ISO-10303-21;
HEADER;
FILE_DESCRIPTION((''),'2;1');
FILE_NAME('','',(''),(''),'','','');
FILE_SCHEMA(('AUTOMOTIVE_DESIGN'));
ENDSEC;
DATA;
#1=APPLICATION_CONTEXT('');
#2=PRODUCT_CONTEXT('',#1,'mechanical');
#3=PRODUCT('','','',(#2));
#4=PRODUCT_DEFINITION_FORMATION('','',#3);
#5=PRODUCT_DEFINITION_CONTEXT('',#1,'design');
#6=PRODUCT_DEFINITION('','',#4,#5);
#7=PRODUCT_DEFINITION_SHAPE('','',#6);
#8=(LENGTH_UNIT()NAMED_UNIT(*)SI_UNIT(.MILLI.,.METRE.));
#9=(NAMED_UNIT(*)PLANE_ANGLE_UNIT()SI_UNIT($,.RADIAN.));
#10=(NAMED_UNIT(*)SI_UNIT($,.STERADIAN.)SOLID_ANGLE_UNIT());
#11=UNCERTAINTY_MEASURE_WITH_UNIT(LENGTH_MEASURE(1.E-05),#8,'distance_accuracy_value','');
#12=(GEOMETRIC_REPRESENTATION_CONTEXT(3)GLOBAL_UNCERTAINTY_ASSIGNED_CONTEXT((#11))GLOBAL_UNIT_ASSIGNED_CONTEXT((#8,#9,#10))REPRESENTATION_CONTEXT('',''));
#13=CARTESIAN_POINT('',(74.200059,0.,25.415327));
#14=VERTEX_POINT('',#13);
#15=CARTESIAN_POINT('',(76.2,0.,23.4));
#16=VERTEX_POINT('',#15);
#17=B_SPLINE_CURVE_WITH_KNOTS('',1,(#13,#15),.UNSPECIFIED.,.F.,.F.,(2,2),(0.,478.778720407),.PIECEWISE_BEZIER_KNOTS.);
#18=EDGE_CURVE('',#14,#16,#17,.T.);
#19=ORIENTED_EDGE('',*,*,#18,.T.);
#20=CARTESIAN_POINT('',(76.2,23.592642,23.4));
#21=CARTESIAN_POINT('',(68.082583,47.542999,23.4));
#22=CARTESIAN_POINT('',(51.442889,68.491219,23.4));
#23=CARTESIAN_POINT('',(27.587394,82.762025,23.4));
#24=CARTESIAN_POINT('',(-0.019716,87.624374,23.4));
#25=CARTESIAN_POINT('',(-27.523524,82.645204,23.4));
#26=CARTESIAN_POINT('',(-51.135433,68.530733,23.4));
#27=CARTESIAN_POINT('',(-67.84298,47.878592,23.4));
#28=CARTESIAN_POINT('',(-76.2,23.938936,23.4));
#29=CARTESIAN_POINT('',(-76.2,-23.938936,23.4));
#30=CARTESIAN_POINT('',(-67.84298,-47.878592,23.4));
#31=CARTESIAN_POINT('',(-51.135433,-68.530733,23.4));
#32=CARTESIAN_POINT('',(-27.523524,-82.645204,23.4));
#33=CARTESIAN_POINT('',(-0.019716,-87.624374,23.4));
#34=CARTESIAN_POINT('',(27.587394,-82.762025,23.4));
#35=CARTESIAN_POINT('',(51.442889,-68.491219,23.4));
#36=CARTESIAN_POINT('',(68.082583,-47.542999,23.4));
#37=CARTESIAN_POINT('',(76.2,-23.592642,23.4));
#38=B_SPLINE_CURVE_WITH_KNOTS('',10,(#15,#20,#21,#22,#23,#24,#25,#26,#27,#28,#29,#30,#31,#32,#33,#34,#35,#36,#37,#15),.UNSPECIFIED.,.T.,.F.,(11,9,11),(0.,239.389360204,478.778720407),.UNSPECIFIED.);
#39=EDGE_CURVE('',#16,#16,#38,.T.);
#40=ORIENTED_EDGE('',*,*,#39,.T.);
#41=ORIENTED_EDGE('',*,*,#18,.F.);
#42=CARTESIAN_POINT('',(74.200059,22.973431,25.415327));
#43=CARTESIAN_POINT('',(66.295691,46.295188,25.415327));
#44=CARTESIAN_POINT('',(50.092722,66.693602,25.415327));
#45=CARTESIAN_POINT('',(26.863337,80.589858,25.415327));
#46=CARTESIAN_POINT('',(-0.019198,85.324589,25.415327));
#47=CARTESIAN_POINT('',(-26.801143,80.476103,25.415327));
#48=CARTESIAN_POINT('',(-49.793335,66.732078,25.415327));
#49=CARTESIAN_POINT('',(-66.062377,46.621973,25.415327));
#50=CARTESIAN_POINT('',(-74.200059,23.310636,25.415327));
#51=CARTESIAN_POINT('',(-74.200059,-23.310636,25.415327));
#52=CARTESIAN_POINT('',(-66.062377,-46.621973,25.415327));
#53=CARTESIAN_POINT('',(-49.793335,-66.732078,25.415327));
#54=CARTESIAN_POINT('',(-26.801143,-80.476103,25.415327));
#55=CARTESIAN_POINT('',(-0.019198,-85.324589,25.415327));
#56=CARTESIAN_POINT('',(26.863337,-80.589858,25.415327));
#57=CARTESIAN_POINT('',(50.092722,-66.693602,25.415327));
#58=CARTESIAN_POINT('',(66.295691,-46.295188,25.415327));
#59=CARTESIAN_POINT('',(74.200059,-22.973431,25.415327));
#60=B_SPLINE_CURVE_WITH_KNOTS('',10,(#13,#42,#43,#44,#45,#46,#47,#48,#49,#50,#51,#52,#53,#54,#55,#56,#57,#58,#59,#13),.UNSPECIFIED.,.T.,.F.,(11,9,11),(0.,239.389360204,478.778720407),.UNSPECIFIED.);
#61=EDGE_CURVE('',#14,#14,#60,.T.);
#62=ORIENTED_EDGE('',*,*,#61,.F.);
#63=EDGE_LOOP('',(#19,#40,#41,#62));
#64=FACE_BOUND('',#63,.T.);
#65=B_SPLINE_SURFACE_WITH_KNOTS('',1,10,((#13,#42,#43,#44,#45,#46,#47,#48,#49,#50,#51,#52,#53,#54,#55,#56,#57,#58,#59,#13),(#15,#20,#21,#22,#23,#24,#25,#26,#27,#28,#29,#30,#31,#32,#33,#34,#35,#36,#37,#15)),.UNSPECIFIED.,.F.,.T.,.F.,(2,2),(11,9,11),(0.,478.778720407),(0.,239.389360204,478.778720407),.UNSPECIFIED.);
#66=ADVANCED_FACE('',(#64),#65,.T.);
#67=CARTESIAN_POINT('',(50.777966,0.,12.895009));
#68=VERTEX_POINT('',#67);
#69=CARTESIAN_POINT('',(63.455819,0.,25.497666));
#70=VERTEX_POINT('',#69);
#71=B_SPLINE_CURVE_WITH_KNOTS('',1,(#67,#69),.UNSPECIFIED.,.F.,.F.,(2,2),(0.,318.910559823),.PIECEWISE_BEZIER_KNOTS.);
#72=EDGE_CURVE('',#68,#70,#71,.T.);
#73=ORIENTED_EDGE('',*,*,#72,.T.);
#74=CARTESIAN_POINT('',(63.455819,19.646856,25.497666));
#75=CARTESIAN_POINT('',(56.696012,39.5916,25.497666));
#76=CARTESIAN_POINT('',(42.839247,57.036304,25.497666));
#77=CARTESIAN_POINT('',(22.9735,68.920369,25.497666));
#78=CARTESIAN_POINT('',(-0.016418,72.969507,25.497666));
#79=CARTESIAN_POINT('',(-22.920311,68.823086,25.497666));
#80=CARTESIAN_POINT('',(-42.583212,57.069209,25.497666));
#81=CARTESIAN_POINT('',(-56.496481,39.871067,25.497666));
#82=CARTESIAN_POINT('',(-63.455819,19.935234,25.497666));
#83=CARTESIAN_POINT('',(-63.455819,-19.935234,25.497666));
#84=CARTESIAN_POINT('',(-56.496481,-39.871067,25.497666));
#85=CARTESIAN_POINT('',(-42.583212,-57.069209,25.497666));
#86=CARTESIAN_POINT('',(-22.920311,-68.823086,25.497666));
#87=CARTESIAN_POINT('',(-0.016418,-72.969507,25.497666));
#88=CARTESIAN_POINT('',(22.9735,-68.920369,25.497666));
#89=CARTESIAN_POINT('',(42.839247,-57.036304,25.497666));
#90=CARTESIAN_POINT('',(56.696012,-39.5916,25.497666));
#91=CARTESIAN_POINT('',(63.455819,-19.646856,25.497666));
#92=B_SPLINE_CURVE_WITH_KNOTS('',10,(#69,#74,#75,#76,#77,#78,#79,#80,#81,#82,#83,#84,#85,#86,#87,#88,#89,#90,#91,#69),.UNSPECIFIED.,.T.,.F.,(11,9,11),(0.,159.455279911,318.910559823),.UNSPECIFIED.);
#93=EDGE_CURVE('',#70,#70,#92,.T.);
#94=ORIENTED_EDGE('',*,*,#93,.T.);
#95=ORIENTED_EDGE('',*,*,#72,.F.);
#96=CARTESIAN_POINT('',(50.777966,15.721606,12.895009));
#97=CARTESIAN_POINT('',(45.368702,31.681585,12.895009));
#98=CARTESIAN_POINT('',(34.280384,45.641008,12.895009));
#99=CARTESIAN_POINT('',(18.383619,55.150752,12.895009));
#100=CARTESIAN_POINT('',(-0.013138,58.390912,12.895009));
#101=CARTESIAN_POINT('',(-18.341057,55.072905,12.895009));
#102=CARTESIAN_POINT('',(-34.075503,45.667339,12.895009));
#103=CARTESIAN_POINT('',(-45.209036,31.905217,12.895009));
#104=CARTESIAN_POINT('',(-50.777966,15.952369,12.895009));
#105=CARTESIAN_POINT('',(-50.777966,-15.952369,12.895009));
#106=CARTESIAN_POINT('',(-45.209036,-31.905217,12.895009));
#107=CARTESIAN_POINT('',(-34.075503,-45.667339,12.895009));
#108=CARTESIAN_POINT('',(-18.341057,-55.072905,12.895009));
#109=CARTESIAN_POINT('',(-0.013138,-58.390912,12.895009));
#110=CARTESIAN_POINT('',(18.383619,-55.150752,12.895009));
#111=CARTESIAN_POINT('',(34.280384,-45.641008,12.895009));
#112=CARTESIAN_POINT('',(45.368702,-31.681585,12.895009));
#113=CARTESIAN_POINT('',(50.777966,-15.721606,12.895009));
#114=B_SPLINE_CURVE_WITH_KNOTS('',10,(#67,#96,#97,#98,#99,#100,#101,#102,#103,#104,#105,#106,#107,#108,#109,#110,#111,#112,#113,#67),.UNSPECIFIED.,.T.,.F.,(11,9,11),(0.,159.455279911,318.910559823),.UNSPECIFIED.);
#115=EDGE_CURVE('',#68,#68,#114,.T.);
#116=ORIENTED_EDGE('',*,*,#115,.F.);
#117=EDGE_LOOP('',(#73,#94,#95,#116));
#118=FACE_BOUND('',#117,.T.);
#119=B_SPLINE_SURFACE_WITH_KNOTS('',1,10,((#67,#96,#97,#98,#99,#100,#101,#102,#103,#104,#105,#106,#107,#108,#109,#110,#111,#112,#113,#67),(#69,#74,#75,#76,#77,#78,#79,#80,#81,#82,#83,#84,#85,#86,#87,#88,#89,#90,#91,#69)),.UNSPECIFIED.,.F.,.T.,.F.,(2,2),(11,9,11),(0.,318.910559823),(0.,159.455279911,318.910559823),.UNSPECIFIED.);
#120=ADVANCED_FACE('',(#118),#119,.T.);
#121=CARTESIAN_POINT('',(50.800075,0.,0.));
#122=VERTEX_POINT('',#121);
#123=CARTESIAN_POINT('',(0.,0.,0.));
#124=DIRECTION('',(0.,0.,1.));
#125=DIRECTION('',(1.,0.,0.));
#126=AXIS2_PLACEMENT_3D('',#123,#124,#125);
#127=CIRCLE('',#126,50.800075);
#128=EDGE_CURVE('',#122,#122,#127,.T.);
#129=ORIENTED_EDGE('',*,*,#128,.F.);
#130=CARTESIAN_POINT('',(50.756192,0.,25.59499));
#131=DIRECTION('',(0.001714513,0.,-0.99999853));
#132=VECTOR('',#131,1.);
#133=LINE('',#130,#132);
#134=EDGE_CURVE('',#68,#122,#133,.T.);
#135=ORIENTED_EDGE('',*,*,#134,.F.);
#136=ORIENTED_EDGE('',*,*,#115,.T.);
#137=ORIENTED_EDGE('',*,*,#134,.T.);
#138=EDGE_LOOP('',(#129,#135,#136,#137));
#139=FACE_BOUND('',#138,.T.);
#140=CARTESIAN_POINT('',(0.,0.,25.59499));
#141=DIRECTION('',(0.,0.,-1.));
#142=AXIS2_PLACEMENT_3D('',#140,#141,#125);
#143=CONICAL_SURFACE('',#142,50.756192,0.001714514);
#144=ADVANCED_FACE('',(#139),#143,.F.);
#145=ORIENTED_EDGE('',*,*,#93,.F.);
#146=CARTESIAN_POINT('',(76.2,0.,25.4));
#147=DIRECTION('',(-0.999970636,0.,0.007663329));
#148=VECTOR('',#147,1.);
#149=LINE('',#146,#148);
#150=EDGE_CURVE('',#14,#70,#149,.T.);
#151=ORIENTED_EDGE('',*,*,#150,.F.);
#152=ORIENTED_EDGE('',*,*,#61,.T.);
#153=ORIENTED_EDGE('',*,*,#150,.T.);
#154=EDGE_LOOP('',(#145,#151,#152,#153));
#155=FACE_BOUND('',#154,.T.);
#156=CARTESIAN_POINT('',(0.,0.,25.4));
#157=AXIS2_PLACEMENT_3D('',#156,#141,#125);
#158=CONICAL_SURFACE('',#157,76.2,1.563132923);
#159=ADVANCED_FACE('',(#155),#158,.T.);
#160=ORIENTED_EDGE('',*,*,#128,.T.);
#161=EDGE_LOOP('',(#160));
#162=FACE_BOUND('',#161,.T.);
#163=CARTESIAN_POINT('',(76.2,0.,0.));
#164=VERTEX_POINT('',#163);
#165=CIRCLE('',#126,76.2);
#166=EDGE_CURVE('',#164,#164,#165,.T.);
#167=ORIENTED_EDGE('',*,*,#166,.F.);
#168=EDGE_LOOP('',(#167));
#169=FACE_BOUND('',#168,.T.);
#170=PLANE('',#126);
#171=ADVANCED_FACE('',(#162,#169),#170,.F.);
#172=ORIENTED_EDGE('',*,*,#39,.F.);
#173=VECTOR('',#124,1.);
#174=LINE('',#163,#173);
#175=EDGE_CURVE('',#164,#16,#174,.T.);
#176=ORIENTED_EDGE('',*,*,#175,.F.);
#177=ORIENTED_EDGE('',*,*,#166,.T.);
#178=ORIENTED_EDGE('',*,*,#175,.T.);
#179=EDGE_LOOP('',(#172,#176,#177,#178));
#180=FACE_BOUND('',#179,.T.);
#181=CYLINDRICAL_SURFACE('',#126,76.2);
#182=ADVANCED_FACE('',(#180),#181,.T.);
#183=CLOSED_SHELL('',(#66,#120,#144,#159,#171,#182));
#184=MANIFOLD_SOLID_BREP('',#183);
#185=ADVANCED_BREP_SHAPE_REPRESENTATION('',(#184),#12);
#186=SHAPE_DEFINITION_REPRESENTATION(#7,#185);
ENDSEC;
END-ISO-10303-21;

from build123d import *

# Parameters (mm, degrees)
F2_SIZE = 12.7
F3_SIZE = 2


with BuildPart() as f1:
    # F0 (on Front) → F1 (revolve)
    with BuildSketch(Plane.XZ):
        Polygon((50.756192, 25.59499), (50.800075, 0), (76.2, 0), (76.2, 25.4), align=None)
    revolve(axis=Axis((0, 0, 20.958871), (0, 0, 1)))

    # F2
    f2_edges = [f1.edges().sort_by_distance(p)[0] for p in [
        (-50.756192, 0, 25.59499),
    ]]
    chamfer(f2_edges, length=F2_SIZE)

    # F3
    f3_edges = [f1.edges().sort_by_distance(p)[0] for p in [
        (-76.2, 0, 25.4),
    ]]
    chamfer(f3_edges, length=F3_SIZE)


solid = f1.part
